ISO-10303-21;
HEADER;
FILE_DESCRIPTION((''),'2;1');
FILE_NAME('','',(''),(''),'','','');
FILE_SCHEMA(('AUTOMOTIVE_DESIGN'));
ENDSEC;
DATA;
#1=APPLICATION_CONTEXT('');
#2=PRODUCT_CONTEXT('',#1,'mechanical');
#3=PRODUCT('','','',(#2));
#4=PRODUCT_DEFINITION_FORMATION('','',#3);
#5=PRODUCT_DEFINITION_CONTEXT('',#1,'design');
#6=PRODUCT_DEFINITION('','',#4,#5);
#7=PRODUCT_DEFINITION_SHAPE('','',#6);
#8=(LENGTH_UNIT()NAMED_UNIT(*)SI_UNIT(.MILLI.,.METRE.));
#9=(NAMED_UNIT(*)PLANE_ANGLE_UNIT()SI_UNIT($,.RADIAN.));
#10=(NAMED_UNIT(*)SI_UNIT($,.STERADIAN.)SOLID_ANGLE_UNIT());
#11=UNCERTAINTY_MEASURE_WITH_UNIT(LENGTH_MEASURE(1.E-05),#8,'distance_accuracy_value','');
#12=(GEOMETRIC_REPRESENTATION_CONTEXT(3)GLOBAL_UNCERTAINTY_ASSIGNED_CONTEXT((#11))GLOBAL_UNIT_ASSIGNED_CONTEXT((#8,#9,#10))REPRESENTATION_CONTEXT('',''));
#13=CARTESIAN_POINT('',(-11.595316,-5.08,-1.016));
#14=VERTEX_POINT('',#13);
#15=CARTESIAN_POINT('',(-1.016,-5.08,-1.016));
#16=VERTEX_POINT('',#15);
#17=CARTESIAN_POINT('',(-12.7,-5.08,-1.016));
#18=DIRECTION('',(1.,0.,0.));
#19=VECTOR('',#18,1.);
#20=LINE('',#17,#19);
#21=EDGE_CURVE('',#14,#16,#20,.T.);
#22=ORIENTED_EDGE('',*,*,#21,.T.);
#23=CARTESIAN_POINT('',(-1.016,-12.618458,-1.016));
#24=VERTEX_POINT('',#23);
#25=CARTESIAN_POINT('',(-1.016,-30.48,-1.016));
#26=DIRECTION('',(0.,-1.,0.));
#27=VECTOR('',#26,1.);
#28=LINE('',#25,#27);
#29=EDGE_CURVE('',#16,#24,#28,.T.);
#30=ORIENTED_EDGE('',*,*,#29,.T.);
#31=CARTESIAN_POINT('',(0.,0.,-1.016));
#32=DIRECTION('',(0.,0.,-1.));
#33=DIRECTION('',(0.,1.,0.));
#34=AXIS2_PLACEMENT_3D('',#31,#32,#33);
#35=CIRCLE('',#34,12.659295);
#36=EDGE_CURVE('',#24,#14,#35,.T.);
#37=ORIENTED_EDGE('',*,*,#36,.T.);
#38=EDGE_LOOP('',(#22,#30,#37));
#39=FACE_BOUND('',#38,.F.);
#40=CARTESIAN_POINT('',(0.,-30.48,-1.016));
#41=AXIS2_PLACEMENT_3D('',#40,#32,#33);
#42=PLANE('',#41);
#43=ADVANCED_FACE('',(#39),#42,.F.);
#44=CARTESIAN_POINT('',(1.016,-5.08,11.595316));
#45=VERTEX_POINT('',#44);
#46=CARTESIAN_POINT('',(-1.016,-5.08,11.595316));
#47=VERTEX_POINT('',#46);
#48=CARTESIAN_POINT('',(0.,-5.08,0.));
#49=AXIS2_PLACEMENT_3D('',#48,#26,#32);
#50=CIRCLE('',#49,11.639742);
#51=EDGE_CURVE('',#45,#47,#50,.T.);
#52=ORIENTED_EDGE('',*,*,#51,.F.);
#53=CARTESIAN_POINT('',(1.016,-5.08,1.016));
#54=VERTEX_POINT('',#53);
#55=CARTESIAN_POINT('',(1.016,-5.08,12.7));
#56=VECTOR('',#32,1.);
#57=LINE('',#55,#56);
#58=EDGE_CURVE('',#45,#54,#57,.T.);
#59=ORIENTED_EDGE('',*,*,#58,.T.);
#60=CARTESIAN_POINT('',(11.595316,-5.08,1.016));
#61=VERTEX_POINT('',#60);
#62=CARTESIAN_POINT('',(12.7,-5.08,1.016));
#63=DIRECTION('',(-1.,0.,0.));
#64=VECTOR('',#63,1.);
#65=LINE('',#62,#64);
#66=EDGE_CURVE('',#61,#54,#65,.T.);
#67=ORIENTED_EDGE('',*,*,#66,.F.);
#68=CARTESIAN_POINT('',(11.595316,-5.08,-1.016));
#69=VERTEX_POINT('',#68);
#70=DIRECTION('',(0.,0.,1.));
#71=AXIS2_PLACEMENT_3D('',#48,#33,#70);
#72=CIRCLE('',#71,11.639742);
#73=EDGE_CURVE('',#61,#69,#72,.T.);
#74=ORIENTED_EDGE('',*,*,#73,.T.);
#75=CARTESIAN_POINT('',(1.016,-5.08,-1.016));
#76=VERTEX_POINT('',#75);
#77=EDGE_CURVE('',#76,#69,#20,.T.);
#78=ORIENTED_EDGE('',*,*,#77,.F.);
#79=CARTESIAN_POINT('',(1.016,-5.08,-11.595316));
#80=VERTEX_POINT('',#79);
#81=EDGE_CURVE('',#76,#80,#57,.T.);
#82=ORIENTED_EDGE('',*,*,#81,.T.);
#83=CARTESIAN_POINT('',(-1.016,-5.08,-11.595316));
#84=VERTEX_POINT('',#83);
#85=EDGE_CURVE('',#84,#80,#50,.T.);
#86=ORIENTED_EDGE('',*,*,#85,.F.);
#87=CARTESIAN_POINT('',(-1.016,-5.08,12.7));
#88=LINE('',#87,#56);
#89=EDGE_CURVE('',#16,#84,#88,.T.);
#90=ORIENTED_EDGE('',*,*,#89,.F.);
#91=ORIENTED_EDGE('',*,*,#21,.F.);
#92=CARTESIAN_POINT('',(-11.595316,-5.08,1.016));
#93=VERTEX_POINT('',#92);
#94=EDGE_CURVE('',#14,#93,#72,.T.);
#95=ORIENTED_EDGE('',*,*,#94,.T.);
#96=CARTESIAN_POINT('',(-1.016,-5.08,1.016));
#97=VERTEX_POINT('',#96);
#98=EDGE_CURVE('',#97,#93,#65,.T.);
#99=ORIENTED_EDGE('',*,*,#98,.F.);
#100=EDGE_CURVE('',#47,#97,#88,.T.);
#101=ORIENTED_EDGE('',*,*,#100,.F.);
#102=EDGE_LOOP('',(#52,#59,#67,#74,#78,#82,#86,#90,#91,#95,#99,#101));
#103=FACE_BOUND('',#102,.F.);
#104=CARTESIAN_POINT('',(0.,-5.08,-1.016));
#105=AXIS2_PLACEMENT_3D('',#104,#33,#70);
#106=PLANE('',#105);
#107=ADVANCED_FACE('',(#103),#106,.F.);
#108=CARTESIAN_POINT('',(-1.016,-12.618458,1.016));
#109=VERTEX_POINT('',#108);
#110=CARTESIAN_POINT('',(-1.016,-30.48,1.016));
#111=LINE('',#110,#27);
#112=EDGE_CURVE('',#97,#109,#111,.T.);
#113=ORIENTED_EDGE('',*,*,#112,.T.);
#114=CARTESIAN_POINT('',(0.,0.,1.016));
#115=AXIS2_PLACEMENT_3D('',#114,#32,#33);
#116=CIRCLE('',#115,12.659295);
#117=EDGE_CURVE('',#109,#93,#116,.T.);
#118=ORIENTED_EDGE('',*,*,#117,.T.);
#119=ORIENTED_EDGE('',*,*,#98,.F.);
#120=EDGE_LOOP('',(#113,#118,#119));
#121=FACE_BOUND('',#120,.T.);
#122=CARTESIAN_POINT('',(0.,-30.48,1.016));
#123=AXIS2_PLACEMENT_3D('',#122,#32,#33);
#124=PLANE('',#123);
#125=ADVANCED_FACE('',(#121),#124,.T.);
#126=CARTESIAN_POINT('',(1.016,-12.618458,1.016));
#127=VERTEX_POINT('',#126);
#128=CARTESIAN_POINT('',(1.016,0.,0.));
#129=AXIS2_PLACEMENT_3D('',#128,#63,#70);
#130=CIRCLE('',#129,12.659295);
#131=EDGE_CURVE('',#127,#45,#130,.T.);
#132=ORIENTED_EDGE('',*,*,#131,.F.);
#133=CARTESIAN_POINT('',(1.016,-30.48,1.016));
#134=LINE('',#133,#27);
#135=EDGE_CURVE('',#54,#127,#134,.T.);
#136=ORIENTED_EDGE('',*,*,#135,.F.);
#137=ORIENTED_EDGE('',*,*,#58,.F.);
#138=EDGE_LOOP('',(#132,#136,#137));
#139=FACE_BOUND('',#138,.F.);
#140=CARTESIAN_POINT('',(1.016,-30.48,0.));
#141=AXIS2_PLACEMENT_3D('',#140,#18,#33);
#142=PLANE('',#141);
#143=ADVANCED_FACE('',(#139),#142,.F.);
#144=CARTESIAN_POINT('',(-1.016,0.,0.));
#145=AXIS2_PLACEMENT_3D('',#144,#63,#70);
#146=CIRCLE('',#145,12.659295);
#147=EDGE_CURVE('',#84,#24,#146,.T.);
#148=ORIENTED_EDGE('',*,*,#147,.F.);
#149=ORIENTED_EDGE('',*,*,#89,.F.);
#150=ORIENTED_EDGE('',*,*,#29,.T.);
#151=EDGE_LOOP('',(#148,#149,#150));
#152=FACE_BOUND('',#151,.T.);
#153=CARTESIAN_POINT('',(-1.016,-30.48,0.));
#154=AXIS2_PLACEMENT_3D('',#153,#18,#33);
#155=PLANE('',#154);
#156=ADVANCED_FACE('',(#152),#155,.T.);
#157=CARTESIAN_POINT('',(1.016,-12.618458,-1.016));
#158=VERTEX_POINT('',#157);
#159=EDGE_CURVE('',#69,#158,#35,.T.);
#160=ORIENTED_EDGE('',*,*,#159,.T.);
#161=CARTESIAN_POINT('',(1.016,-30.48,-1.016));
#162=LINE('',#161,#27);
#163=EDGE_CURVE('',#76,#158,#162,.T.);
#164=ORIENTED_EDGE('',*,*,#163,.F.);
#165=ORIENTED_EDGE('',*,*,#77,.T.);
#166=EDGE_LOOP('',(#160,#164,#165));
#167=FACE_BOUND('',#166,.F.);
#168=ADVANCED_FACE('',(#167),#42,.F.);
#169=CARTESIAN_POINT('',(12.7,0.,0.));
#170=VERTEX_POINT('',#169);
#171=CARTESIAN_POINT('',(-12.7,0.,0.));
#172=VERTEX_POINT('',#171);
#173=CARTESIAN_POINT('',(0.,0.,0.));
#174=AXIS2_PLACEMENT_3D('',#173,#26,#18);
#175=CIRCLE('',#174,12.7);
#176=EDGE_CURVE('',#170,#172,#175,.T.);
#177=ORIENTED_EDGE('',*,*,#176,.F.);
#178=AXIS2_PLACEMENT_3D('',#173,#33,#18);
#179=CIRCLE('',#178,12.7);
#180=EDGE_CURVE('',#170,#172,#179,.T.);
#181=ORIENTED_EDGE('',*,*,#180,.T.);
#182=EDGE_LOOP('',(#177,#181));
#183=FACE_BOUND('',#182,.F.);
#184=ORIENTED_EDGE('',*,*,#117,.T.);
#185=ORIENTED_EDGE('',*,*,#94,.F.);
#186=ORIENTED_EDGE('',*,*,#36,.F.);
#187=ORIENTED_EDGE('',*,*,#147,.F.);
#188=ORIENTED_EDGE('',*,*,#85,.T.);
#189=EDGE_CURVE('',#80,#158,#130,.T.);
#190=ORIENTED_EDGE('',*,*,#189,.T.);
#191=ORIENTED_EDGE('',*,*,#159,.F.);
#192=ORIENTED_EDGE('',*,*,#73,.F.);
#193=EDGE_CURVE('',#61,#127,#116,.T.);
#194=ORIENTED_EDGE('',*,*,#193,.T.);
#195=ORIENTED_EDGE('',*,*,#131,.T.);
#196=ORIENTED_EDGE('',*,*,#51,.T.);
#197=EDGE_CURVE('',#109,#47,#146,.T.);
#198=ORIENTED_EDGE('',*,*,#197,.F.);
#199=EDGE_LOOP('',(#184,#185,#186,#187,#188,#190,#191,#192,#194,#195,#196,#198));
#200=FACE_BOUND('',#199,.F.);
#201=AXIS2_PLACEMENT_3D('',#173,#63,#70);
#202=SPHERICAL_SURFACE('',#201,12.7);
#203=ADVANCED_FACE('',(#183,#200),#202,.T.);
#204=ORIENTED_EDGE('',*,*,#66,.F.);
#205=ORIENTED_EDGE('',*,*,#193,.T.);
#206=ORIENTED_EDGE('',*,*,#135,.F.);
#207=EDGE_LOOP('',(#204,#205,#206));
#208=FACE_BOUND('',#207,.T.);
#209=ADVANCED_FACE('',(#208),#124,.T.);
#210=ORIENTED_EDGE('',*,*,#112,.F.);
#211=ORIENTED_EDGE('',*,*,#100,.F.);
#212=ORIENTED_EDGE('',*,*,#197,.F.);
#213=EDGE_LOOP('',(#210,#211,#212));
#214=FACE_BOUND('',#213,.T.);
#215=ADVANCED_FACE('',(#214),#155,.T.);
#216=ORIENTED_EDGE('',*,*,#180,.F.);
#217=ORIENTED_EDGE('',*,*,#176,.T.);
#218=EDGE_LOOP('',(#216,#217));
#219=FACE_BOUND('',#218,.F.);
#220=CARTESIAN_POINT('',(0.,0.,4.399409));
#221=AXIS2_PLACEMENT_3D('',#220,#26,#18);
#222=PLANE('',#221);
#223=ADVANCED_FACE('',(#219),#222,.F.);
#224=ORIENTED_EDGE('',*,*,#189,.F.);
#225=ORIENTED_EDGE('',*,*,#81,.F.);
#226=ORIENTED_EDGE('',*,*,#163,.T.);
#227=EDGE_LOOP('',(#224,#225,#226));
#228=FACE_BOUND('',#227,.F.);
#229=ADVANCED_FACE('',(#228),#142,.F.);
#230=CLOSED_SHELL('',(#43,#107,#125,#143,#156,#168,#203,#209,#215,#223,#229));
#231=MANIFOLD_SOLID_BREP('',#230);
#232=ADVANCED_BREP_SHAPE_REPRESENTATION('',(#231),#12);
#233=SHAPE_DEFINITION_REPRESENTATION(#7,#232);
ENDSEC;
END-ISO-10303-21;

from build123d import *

# Parameters (mm, degrees)
F1_ANGLE = 180
F2_W     = 25.4
F2_H     = 2.032
F3_DEPTH = 12.7
F4_W     = 2.032
F4_H     = 25.4
F5_DEPTH = 12.7


with BuildPart() as f1:
    # F0 (on Front) → F1 (revolve)
    with BuildSketch(Plane.XZ):
        with BuildLine():
            ThreePointArc((12.7, 0), (0, 12.7), (-12.7, 0))
            Line((-12.7, 0), (12.7, 0))
        make_face()
    revolve(axis=Axis((0, 0, 0), (1, 0, 0)), revolution_arc=F1_ANGLE)

    # F2 (on Right) → F3 (cut, symmetric)
    with BuildSketch(Plane.YZ):
        with Locations((-17.78, 0)):
            Rectangle(F2_W, F2_H)
    extrude(amount=F3_DEPTH, both=True, mode=Mode.SUBTRACT)

    # F4 (on Top) → F5 (cut, symmetric)
    with BuildSketch(Plane.XY):
        with Locations((0, -17.78)):
            Rectangle(F4_W, F4_H)
    extrude(amount=F5_DEPTH, both=True, mode=Mode.SUBTRACT)


solid = f1.part
